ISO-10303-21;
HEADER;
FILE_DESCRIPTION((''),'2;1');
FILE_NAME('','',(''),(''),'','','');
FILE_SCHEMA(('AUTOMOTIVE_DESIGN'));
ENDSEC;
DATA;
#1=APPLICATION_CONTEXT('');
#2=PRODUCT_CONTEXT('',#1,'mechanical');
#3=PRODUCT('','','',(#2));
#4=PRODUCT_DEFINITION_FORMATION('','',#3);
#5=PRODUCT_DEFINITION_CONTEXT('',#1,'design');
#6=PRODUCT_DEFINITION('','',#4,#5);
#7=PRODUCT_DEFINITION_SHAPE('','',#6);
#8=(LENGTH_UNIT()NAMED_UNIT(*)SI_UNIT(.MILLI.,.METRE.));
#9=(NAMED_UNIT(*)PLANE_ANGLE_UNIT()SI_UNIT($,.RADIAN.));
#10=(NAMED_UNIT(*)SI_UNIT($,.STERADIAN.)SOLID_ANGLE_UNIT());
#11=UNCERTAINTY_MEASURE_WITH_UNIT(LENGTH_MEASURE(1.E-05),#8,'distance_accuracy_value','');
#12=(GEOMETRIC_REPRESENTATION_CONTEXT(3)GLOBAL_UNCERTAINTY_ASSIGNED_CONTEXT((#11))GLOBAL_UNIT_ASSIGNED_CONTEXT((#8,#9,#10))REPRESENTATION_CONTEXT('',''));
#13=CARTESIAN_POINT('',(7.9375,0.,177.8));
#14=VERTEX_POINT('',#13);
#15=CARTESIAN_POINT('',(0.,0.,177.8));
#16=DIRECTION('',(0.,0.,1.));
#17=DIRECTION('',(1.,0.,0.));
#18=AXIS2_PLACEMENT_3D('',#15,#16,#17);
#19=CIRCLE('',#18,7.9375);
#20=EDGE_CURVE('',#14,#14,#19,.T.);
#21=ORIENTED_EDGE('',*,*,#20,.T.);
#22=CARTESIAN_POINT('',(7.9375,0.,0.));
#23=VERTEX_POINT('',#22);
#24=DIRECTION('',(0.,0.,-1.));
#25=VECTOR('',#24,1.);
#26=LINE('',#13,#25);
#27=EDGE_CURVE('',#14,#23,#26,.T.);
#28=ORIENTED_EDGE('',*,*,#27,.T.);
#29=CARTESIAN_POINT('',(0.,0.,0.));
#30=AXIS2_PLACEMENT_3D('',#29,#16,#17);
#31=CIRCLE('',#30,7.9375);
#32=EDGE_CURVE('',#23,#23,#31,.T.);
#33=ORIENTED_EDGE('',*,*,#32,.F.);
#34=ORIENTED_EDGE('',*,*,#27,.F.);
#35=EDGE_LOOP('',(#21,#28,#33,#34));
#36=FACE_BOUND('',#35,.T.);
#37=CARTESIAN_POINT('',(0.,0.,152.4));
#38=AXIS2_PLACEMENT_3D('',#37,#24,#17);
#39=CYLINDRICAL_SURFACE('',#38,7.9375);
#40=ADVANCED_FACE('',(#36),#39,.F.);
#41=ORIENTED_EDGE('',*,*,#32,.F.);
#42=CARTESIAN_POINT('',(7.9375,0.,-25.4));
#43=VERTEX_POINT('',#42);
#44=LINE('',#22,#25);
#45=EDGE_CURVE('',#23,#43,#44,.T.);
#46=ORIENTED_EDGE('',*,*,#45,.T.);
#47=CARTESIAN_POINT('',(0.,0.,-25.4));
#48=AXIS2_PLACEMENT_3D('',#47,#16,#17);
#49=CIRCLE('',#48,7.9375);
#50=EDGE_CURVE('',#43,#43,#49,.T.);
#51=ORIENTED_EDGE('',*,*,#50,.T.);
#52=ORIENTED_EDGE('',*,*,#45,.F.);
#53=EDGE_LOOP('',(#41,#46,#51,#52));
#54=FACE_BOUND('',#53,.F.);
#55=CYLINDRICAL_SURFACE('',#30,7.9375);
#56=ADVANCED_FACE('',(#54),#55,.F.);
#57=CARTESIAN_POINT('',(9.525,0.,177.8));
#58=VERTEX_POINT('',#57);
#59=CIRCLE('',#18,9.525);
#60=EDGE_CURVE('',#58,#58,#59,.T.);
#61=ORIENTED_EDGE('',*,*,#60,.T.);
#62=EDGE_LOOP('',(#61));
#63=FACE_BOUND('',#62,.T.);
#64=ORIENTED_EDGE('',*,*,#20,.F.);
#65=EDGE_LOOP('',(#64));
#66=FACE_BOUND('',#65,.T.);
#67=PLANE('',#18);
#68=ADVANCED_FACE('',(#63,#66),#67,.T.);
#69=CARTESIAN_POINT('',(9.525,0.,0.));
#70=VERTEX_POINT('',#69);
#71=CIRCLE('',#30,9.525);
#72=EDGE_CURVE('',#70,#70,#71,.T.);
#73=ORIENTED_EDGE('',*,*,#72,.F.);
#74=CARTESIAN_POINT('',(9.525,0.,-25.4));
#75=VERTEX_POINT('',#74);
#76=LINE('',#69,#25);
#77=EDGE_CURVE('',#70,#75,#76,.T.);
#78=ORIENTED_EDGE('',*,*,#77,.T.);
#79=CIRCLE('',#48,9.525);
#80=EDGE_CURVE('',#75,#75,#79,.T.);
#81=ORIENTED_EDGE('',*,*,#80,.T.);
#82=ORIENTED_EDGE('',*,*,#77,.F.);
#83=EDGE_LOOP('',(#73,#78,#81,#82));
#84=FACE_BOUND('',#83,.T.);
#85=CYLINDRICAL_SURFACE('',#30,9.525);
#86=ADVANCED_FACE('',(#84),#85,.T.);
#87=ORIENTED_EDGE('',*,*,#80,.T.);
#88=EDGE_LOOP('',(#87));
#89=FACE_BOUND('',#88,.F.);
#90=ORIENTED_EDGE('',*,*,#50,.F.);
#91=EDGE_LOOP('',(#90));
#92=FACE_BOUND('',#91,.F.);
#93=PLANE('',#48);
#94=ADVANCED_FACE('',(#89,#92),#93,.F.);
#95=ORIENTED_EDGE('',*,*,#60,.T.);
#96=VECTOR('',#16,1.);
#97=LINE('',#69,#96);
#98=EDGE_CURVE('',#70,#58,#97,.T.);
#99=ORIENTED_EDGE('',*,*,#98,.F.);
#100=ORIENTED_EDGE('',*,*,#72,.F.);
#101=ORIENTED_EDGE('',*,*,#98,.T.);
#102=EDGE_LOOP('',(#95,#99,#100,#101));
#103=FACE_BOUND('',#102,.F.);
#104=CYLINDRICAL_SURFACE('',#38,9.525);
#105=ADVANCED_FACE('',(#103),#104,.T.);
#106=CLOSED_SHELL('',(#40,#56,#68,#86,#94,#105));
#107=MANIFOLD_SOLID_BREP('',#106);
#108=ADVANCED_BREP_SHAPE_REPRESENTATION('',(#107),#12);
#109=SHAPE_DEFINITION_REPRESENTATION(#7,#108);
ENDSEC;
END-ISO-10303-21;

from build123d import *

# Parameters (mm, degrees)
F0_R     = 9.525
F0_R_2   = 7.9375
F1_DEPTH = 152.4
F2_DEPTH = 25.4
F3_DEPTH = 25.4


with BuildPart() as f1:
    # F0 (on Top) → F1 (new body)
    with BuildSketch(Plane.XY):
        Circle(F0_R)
        Circle(F0_R_2, mode=Mode.SUBTRACT)
    extrude(amount=F1_DEPTH)

    # F2 (add): a face of the model
    f2_faces = [f1.faces().sort_by_distance(p)[0] for p in [
        (-9.2555923164, 0, 152.4),
    ]]
    extrude(f2_faces, amount=F2_DEPTH)

    # F3 (add): a face of the model
    f3_faces = [f1.faces().sort_by_distance(p)[0] for p in [
        (-9.2555923164, 0, 0),
    ]]
    extrude(f3_faces, amount=F3_DEPTH)


solid = f1.part
